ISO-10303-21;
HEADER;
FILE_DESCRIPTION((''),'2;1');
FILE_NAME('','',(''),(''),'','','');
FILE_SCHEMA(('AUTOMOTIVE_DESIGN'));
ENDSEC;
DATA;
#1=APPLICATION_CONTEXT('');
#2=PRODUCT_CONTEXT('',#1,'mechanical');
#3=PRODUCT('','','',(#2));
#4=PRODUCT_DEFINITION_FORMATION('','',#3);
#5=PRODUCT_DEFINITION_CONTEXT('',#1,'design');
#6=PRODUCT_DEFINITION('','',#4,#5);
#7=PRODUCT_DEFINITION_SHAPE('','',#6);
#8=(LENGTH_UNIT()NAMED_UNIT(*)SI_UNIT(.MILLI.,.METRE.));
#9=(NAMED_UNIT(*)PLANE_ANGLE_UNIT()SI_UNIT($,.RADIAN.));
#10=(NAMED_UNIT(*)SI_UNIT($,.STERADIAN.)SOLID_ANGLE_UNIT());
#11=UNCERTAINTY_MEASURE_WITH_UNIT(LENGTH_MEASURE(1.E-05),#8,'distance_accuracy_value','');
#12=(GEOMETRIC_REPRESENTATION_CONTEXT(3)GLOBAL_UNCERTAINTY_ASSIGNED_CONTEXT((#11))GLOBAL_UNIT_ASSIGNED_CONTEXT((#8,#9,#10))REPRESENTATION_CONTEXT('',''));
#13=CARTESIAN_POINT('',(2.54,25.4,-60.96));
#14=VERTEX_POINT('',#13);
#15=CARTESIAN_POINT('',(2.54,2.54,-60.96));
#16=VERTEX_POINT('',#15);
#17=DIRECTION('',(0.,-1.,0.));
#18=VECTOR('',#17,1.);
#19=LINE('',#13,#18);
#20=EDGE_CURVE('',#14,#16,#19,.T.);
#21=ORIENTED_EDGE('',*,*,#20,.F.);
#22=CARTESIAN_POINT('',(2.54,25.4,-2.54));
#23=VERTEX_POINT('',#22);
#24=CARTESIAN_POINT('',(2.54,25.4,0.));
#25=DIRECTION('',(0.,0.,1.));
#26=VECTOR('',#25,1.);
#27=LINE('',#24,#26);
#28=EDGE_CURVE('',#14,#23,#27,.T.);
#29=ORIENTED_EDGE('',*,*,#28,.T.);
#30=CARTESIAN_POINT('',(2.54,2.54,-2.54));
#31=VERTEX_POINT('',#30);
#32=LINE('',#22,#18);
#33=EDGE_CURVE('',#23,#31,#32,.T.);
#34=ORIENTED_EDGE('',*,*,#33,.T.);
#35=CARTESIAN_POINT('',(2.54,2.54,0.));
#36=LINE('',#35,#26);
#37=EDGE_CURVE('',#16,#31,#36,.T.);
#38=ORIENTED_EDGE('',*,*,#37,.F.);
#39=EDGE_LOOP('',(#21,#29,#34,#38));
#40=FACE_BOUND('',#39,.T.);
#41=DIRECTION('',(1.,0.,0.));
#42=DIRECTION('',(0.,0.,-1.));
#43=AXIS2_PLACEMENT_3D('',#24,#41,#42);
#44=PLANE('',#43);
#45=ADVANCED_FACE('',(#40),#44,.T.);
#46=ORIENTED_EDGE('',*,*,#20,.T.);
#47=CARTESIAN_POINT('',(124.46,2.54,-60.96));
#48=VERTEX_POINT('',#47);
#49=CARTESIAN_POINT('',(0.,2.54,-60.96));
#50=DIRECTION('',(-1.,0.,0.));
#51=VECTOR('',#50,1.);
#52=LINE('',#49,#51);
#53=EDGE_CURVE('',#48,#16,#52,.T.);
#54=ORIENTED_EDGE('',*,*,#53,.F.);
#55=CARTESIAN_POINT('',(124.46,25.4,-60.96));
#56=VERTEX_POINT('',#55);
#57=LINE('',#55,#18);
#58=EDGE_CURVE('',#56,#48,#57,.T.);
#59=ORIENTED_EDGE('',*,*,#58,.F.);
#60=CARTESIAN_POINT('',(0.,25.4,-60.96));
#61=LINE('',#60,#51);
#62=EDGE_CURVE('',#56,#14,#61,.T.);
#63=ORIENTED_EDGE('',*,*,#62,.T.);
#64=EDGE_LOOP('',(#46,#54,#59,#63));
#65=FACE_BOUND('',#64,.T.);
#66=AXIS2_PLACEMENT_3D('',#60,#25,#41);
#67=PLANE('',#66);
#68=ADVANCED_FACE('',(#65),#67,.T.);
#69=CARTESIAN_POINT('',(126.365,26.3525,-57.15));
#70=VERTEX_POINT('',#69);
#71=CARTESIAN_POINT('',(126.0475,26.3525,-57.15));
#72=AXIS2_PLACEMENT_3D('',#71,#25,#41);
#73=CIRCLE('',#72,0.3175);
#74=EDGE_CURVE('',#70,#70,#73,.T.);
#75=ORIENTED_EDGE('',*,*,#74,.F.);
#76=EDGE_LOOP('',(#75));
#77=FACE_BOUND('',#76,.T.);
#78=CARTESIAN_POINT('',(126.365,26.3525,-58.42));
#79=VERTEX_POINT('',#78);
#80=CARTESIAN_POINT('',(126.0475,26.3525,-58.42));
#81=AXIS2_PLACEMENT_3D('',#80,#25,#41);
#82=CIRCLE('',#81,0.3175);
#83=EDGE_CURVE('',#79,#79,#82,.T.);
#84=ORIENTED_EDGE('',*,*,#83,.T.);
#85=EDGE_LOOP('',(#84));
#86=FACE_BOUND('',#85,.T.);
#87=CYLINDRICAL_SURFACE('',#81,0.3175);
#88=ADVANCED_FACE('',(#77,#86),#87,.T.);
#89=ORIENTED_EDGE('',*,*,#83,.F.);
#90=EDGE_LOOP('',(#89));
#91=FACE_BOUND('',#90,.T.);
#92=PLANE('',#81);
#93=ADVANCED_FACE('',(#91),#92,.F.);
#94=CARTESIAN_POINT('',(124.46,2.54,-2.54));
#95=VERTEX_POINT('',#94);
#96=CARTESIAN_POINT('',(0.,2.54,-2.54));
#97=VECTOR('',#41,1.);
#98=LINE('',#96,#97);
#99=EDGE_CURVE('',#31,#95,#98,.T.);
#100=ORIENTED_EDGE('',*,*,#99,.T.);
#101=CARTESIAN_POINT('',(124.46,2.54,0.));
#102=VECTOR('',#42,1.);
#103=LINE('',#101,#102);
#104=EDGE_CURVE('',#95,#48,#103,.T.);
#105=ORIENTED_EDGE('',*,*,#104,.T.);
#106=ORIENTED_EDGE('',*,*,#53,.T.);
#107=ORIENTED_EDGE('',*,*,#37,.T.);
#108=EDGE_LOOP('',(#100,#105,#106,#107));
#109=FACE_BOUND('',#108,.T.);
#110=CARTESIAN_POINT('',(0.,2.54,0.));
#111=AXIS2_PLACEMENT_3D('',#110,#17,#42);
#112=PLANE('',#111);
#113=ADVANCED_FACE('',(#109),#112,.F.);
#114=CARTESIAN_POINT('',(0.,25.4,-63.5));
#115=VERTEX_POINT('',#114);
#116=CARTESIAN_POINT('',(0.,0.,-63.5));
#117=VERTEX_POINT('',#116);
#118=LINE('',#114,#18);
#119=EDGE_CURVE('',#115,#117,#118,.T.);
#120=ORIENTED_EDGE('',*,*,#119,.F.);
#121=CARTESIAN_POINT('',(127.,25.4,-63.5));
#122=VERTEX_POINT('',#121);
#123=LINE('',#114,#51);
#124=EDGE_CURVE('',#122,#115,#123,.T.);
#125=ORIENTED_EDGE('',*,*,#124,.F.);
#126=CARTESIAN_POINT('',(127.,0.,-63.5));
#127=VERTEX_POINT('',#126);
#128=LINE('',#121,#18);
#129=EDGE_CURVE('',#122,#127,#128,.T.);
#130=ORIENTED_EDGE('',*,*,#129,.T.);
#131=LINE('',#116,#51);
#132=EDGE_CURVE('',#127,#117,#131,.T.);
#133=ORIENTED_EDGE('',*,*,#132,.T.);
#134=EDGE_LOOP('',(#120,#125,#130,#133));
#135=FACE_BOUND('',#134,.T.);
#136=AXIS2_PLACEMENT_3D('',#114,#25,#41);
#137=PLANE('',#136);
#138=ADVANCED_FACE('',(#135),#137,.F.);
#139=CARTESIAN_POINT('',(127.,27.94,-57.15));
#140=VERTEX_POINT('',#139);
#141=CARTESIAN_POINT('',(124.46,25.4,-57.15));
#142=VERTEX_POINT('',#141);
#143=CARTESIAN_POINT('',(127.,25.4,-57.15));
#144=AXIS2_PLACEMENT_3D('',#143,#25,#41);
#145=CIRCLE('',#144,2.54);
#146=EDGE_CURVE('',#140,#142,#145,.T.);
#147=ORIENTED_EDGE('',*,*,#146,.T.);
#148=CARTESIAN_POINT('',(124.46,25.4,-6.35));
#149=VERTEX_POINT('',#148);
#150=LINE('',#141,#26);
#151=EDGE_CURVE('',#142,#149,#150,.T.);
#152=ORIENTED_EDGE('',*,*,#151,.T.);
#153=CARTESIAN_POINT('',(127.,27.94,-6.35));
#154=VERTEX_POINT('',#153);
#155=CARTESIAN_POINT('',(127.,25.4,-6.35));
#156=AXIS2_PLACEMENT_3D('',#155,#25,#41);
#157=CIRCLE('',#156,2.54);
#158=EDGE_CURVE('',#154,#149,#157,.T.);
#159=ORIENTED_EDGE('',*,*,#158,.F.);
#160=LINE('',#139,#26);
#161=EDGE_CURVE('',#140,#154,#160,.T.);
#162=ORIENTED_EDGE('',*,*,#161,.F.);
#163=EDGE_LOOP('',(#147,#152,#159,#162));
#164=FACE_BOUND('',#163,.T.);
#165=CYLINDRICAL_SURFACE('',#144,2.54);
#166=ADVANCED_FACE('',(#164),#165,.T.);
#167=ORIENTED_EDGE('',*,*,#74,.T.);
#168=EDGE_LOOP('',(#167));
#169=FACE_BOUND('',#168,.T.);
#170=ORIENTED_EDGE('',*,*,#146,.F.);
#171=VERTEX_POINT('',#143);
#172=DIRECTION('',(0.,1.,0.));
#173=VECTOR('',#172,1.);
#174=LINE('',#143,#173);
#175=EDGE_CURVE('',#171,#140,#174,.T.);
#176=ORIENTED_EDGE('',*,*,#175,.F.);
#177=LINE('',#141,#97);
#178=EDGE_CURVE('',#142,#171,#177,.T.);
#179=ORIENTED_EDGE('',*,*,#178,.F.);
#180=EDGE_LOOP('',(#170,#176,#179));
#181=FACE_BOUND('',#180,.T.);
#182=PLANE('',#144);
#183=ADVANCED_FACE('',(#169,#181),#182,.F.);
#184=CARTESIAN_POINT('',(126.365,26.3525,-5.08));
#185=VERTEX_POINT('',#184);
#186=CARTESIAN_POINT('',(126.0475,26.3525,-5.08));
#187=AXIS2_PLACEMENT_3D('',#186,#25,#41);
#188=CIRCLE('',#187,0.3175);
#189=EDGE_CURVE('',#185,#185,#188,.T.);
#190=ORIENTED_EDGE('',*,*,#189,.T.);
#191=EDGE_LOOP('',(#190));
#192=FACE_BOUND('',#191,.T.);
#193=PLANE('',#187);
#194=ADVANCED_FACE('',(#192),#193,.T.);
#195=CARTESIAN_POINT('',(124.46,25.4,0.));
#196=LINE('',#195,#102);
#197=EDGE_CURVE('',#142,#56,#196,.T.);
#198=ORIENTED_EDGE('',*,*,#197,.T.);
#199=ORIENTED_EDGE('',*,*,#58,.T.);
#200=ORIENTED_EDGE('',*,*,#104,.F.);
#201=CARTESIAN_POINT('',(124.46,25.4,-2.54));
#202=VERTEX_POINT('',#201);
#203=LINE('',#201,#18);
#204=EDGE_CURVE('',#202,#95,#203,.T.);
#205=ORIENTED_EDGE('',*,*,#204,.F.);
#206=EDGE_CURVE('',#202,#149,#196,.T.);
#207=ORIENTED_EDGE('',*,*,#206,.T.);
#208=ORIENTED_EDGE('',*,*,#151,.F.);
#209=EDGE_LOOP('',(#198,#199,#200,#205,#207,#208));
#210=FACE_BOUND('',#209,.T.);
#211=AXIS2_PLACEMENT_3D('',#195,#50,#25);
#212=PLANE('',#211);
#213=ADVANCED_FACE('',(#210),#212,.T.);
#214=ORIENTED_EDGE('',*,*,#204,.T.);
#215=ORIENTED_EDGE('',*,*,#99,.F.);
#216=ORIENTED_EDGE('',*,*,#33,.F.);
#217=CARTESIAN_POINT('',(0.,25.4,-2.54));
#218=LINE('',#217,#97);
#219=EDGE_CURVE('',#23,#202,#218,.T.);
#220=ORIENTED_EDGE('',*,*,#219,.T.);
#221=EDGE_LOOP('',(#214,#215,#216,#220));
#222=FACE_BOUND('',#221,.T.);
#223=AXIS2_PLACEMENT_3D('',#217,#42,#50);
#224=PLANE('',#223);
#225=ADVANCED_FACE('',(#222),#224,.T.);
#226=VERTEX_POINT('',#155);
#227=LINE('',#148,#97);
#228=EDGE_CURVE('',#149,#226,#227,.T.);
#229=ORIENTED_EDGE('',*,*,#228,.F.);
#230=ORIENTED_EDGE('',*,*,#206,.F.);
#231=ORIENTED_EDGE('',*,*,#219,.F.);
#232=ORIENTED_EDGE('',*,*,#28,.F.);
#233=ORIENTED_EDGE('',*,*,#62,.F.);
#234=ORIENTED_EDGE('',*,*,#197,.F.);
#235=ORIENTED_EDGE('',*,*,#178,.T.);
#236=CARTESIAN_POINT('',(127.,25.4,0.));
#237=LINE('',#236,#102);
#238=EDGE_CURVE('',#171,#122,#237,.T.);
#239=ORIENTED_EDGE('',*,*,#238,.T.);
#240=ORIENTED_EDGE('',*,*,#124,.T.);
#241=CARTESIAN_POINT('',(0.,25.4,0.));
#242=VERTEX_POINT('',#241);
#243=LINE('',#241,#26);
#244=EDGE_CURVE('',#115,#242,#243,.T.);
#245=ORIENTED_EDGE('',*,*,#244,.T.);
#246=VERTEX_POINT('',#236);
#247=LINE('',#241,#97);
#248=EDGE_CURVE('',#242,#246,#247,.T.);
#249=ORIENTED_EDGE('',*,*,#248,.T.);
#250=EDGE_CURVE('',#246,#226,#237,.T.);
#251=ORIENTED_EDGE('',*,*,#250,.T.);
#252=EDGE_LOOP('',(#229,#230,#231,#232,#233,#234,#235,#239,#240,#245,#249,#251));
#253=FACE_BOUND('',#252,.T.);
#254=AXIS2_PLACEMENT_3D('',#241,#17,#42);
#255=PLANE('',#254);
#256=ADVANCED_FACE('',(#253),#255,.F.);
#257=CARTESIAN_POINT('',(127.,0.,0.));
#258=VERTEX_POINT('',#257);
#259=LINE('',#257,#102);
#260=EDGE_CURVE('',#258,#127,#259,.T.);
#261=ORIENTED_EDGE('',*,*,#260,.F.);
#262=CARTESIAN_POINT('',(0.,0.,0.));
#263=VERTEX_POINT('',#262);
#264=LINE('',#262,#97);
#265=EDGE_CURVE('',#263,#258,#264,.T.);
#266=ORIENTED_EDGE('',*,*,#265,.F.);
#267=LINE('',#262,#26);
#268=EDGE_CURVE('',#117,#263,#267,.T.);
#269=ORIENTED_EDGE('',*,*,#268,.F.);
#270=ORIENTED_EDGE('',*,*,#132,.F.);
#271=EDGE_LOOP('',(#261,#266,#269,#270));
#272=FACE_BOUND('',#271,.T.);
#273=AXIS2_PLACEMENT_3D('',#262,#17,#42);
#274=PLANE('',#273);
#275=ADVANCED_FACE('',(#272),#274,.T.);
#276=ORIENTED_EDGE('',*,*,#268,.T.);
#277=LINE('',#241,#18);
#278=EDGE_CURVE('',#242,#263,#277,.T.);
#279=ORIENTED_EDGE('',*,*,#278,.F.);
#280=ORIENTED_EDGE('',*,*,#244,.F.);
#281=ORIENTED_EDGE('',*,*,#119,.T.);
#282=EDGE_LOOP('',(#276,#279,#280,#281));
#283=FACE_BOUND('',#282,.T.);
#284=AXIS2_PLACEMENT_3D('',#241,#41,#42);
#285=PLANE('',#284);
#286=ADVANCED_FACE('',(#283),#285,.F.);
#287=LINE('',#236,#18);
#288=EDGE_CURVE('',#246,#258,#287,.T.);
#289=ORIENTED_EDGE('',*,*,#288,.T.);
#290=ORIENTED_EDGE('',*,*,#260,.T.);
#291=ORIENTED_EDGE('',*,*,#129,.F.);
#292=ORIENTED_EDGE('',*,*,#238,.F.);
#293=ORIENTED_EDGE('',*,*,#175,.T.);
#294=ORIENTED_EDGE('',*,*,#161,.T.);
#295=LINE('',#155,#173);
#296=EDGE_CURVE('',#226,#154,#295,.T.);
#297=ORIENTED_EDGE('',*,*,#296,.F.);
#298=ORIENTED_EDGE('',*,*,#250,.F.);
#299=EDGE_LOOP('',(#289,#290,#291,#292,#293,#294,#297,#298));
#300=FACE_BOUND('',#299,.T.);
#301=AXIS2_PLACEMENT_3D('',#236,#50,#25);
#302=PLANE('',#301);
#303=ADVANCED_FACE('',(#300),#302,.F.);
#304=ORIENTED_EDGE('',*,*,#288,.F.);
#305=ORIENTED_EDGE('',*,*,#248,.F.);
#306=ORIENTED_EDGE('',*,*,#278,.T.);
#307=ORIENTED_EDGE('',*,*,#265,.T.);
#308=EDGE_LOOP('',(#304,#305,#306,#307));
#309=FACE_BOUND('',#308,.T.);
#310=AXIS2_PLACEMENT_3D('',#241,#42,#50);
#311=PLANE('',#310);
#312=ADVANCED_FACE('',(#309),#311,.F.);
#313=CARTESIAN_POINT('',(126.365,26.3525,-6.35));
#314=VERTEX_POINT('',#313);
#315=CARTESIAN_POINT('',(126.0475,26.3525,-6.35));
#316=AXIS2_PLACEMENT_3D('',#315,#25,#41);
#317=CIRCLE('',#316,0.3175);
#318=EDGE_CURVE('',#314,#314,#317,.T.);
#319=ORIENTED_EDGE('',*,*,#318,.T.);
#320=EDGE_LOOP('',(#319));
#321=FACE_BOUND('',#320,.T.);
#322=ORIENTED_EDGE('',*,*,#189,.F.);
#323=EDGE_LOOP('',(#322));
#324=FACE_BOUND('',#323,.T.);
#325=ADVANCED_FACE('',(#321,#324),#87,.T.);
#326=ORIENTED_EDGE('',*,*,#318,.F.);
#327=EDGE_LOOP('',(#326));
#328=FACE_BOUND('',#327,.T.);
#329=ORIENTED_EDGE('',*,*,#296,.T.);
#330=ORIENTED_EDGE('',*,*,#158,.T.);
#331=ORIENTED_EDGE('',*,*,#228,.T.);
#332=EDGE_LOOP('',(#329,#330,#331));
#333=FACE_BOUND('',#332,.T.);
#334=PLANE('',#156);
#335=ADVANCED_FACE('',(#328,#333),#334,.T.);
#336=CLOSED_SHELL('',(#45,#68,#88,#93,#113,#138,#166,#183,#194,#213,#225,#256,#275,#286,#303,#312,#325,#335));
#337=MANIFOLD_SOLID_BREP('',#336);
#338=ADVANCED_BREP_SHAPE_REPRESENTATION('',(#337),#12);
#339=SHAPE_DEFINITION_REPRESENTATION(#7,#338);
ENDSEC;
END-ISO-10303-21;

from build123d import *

# Parameters (mm, degrees)
SKETCH1_W                = 127
SKETCH1_H                = 63.5
BOSS_EXTRUDE1_DEPTH      = 25.4
SHELL1_T                 = -2.54
BOSS_EXTRUDE2_DEPTH      = 25.4
BOSS_EXTRUDE2_DEPTH_BACK = 25.4
BOSS_EXTRUDE3_DEPTH      = 1.27
BOSS_EXTRUDE3_DEPTH_BACK = 52.07
SKETCH3_R                = 0.3175


with BuildPart() as part:
    # Sketch1 → Boss-Extrude1 (new body)
    with BuildSketch(Plane(origin=(0, 0, 0), x_dir=(1, 0, 0), z_dir=(0, 1, 0))):
        with Locations((63.5, 31.75)):
            Rectangle(SKETCH1_W, SKETCH1_H)
    extrude(amount=BOSS_EXTRUDE1_DEPTH)

    # Shell1
    shell1_openings = [part.faces().sort_by_distance(p)[0] for p in [
        (63.5, 25.4, -31.75),
    ]]
    offset(amount=SHELL1_T, openings=shell1_openings, kind=Kind.INTERSECTION)

    # Sketch2 → Boss-Extrude2 (add, two sides: drawn at the far end of the back side and taken through both)
    with BuildSketch(Plane.XY.offset(-31.75).offset(-BOSS_EXTRUDE2_DEPTH_BACK)):
        with BuildLine():
            Line((124.46, 25.4), (127, 25.4))
            Line((127, 25.4), (127, 27.94))
            ThreePointArc((127, 27.94), (125.203948776, 27.196051224), (124.46, 25.4))
        make_face()
    extrude(amount=BOSS_EXTRUDE2_DEPTH + BOSS_EXTRUDE2_DEPTH_BACK)

    # Sketch3 → Boss-Extrude3 (add, two sides: drawn at the far end of the back side and taken through both)
    with BuildSketch(Plane.XY.offset(-6.35).offset(-BOSS_EXTRUDE3_DEPTH_BACK)):
        with Locations((126.0475, 26.3525)):
            Circle(SKETCH3_R)
    extrude(amount=BOSS_EXTRUDE3_DEPTH + BOSS_EXTRUDE3_DEPTH_BACK)


solid = part.part
